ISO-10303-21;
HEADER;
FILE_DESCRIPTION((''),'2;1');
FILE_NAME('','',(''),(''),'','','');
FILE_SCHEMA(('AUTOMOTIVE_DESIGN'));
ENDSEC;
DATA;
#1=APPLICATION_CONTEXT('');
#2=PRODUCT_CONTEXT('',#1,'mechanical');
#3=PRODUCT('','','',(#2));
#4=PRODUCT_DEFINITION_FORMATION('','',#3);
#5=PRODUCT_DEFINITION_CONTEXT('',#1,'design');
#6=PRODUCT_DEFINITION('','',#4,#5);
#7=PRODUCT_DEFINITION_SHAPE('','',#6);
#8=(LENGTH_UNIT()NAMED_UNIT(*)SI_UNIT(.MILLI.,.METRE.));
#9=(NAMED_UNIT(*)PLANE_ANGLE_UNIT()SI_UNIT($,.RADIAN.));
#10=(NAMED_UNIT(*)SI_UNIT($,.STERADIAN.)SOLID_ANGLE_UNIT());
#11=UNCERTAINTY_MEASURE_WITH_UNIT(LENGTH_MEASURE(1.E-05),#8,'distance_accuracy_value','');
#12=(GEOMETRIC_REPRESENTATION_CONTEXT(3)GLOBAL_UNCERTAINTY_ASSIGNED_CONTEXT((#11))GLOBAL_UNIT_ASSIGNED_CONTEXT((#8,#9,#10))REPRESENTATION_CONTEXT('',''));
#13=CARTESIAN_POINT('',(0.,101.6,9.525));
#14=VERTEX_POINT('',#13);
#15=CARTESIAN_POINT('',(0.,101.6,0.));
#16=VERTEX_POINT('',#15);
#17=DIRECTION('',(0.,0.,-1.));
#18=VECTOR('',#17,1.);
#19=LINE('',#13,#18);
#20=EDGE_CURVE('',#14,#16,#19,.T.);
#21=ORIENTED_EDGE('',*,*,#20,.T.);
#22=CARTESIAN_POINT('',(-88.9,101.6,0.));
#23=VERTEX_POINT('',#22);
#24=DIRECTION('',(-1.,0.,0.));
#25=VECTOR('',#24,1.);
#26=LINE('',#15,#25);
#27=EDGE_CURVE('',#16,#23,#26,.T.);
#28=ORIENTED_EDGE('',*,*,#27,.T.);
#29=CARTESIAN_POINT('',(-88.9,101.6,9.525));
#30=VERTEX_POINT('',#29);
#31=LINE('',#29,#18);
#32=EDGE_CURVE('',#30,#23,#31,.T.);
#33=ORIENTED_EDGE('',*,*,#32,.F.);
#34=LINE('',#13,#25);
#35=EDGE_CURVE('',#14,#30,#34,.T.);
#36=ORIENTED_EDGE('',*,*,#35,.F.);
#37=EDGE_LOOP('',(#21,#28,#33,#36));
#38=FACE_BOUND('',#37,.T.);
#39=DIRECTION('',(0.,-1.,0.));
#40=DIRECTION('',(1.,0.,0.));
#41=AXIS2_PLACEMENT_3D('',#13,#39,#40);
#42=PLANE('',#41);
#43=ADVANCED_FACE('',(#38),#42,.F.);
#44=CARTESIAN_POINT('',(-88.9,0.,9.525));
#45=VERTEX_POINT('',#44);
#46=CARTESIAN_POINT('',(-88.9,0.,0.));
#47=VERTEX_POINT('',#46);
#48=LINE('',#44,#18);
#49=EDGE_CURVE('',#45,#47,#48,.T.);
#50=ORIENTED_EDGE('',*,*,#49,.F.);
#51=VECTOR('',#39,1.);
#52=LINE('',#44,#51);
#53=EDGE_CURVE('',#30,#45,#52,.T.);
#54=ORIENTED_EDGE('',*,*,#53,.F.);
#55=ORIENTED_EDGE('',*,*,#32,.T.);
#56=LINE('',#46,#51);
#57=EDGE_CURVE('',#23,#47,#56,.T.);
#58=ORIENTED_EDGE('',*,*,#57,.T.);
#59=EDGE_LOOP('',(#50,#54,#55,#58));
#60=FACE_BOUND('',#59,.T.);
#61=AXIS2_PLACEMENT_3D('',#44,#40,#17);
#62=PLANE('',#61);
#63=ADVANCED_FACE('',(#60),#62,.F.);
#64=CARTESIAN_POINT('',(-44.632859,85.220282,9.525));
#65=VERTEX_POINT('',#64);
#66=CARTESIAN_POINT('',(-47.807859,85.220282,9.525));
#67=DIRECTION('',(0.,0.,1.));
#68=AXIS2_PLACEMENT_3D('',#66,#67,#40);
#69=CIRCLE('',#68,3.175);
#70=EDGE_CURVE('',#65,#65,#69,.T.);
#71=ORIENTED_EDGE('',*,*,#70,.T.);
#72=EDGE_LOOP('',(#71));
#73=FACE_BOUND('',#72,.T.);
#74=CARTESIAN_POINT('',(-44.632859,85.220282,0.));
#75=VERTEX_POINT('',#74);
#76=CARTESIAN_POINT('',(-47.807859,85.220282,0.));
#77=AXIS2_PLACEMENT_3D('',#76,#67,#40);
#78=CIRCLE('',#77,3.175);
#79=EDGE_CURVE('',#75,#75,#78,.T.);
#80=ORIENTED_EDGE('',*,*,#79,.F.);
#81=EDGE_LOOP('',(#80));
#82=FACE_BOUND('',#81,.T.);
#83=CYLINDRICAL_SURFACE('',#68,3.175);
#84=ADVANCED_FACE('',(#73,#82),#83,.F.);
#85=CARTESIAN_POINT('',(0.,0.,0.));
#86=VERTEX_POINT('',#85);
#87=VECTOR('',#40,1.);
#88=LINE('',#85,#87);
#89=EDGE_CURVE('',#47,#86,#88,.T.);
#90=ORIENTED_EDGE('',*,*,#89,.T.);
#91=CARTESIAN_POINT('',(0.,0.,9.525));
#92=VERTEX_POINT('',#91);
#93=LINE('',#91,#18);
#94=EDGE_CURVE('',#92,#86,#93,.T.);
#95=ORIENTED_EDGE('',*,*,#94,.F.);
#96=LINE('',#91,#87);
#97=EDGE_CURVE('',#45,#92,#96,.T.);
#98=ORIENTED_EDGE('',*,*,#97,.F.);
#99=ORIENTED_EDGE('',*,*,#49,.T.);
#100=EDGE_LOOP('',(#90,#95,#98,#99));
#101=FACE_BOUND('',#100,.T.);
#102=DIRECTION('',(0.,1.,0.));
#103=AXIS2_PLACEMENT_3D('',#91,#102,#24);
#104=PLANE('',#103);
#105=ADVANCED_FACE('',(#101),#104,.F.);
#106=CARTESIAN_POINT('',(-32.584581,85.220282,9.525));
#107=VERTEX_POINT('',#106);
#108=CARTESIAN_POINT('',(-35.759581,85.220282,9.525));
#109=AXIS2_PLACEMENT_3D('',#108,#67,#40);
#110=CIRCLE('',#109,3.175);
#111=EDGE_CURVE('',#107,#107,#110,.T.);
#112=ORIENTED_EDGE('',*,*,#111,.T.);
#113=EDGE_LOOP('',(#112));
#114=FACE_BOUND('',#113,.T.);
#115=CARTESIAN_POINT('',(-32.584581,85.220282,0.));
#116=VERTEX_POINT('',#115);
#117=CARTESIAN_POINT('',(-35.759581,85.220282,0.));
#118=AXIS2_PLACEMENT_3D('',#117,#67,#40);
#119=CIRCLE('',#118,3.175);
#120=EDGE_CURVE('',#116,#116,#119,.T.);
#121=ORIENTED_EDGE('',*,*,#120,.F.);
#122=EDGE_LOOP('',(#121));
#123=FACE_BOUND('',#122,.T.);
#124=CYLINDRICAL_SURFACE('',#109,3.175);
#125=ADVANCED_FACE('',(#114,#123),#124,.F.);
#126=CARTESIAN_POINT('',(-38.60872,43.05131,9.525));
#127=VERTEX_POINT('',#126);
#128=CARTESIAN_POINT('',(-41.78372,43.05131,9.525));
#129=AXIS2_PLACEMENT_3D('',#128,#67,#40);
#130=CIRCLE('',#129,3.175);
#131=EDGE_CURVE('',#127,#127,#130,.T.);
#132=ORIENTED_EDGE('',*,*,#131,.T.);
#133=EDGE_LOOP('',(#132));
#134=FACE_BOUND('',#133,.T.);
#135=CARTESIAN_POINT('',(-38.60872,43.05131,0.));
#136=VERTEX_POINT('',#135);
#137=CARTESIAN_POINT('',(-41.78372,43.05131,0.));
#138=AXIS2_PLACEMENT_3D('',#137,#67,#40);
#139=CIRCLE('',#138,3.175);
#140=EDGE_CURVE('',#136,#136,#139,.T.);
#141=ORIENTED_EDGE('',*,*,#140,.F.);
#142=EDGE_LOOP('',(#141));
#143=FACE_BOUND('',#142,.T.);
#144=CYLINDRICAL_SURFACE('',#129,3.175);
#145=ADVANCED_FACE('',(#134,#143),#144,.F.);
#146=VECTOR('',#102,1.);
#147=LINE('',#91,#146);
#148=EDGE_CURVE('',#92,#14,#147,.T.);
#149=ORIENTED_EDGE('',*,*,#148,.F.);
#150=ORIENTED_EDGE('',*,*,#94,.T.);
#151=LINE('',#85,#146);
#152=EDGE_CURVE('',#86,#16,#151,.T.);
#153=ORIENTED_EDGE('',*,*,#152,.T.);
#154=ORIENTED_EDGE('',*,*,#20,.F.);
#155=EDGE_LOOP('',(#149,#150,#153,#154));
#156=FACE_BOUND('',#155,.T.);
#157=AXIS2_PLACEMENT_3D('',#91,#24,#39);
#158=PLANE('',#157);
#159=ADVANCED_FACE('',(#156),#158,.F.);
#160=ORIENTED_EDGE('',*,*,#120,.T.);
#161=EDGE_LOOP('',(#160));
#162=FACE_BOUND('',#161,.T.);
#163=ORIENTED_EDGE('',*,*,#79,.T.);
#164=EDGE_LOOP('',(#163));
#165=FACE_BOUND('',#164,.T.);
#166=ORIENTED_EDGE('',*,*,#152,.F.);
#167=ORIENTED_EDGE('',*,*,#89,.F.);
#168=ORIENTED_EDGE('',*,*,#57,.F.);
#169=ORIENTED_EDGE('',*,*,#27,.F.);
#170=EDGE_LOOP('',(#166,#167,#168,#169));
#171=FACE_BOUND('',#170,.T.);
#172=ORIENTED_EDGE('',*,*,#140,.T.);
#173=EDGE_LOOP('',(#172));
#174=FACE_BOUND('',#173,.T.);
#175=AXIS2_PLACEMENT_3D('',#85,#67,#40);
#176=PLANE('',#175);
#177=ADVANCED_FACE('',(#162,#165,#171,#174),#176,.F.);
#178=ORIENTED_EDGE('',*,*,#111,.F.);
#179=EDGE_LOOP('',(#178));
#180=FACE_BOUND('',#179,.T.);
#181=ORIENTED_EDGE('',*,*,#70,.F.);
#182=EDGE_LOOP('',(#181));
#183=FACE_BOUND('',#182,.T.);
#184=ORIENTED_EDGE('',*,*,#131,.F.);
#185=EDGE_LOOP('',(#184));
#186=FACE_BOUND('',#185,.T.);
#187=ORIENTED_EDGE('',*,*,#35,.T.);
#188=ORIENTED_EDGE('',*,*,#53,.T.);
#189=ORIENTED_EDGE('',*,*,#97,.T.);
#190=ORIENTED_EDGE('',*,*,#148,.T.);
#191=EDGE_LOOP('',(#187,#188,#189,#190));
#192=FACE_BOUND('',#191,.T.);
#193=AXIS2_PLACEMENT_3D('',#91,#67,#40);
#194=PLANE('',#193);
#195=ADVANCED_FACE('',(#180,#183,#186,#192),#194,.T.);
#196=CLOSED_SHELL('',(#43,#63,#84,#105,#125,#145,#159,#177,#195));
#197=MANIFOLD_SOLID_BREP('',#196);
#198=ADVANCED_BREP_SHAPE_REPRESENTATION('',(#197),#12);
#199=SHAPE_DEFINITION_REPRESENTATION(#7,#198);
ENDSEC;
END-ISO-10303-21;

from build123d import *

# Parameters (mm, degrees)
SKETCH1_W                   = 88.9
SKETCH1_H                   = 101.6
BOSS_EXTRUDE1_DEPTH         = 9.525
F_1_4_0_25_DIAMETER_HOLE1_D = 6.35
F_1_4_0_25_DIAMETER_HOLE2_D = 6.35


with BuildPart() as part:
    # Sketch1 → Boss-Extrude1 (new body)
    with BuildSketch(Plane.XY):
        with Locations((-44.45, 50.8)):
            Rectangle(SKETCH1_W, SKETCH1_H)
    extrude(amount=BOSS_EXTRUDE1_DEPTH)

    # 1/4 (0.25) Diameter Hole1 (through all)
    with Locations(Plane.XY.offset(9.525)):
        with Locations((-35.759581135, 85.220282149), (-41.783720078, 43.051309551)):
            Hole(F_1_4_0_25_DIAMETER_HOLE1_D / 2)

    # 1/4 (0.25) Diameter Hole2 (through all)
    with Locations(Plane.XY.offset(9.525)):
        with Locations((-47.80785902, 85.220282149)):
            Hole(F_1_4_0_25_DIAMETER_HOLE2_D / 2)


solid = part.part
